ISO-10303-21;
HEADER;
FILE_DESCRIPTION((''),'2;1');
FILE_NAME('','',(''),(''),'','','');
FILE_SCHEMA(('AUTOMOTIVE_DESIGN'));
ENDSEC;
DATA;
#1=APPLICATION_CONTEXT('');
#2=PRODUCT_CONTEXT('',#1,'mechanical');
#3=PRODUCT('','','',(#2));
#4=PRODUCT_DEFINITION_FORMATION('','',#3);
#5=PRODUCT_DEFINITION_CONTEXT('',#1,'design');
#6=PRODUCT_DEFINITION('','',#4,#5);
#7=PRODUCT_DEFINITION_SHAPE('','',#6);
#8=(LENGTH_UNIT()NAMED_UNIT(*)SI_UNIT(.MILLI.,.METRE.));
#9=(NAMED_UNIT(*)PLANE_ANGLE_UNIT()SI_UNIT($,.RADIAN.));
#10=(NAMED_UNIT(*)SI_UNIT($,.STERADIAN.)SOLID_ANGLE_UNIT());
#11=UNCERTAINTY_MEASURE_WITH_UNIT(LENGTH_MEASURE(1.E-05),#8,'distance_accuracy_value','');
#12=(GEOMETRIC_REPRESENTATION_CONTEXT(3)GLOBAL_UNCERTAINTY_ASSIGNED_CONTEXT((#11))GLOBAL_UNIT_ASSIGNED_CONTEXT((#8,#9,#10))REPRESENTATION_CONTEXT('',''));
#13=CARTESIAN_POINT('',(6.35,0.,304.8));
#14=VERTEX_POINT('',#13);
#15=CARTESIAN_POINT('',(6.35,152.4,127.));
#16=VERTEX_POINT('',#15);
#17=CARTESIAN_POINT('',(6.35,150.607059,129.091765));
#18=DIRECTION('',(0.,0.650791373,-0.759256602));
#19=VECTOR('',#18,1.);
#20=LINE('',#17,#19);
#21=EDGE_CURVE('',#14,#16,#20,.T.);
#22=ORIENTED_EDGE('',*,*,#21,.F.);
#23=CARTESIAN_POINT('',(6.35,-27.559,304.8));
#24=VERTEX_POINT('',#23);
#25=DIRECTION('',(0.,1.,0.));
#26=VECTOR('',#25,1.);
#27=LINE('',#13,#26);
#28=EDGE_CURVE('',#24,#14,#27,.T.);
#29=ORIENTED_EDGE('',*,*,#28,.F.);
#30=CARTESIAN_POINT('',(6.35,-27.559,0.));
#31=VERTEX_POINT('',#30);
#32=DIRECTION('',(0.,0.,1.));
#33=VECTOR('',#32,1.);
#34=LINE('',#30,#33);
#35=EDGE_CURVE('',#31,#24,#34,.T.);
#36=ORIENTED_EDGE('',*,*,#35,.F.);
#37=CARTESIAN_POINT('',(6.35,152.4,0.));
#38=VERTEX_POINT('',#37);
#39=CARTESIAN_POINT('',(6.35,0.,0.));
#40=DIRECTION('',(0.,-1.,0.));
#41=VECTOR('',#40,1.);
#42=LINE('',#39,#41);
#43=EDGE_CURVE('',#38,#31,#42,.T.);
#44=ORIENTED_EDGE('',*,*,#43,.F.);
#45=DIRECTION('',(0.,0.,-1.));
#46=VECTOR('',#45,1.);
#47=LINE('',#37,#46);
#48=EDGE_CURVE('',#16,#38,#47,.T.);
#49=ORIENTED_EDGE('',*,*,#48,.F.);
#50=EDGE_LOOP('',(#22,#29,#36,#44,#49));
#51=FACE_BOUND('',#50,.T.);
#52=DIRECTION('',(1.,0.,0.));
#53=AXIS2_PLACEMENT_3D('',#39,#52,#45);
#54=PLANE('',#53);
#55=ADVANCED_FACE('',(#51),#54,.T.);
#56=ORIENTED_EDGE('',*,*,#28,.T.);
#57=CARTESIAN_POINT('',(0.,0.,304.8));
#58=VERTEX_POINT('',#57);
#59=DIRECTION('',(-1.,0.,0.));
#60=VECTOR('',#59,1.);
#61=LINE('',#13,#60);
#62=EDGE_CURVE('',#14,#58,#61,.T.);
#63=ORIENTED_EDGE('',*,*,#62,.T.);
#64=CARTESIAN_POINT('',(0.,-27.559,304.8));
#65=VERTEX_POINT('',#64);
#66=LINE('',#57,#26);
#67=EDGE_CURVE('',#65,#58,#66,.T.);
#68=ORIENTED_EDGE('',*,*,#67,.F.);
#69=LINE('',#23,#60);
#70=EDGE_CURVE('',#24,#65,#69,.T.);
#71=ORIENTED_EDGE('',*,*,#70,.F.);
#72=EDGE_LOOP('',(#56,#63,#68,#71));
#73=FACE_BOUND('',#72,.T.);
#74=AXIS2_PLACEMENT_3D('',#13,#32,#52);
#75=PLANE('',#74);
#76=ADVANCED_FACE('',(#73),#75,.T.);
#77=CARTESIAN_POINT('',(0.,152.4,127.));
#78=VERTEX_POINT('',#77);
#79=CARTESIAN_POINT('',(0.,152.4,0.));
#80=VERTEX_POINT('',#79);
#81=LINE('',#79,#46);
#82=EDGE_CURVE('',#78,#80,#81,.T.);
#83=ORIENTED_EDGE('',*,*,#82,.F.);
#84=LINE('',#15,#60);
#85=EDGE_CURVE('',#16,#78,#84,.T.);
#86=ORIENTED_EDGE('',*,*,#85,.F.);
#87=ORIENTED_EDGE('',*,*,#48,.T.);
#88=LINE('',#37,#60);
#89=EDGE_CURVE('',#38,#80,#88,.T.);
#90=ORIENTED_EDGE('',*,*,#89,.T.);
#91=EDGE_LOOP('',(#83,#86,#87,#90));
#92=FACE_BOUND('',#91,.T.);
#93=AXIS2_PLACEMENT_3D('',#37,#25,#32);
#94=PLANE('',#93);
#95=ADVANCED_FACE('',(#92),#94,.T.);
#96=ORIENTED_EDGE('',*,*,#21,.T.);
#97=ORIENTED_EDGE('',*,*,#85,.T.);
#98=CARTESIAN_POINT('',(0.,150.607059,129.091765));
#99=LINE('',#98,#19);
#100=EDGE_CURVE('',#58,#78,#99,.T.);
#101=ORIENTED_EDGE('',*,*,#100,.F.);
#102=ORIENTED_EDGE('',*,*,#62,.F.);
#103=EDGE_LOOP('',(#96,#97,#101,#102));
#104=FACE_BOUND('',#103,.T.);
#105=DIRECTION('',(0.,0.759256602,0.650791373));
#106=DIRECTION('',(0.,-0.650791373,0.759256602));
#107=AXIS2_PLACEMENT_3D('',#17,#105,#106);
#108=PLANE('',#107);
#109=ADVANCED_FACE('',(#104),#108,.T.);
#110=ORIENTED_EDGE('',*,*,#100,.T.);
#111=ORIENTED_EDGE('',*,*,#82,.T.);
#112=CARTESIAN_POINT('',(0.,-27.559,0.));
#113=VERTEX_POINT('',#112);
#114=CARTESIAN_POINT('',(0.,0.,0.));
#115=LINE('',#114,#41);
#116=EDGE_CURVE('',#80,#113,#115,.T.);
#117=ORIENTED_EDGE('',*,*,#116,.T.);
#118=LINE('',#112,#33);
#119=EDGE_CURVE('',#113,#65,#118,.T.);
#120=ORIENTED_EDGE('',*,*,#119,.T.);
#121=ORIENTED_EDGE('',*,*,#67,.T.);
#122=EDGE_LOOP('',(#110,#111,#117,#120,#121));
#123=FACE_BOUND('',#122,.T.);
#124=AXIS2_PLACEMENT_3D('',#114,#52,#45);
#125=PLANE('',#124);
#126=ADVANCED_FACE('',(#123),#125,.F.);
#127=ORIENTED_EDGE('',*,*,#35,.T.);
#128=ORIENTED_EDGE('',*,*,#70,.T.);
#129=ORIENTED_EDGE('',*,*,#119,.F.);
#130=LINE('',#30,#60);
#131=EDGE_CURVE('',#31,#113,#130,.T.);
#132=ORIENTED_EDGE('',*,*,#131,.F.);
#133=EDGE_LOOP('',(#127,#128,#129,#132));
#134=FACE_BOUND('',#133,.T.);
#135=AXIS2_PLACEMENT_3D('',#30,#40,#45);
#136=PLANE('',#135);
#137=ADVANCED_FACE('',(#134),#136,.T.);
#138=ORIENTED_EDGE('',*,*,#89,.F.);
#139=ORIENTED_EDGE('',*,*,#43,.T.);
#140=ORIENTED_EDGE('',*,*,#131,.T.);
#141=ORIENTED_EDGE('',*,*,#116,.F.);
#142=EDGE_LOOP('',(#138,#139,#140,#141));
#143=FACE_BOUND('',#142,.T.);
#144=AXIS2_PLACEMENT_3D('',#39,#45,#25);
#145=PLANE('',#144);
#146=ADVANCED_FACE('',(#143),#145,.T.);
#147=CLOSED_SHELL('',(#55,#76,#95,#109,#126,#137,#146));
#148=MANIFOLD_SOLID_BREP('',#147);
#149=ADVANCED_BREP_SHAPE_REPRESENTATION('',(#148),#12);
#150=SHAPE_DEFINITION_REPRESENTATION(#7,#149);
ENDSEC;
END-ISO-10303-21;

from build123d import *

# Parameters (mm, degrees)
ESQUISSE2_W        = 304.8
ESQUISSE2_H        = 27.559
BOSS_EXTRU_1_DEPTH = 6.35


with BuildPart() as part:
    # Esquisse2 → Boss.-Extru.1 (new body)
    with BuildSketch(Plane(origin=(0, 0, 0), x_dir=(0, 0, -1), z_dir=(1, 0, 0))):
        Polygon((0, 152.4), (0, 0), (-304.8, 0), (-127, 152.4), align=None)
        with Locations((-152.4, -13.7795)):
            Rectangle(ESQUISSE2_W, ESQUISSE2_H)
    extrude(amount=BOSS_EXTRU_1_DEPTH)


solid = part.part
